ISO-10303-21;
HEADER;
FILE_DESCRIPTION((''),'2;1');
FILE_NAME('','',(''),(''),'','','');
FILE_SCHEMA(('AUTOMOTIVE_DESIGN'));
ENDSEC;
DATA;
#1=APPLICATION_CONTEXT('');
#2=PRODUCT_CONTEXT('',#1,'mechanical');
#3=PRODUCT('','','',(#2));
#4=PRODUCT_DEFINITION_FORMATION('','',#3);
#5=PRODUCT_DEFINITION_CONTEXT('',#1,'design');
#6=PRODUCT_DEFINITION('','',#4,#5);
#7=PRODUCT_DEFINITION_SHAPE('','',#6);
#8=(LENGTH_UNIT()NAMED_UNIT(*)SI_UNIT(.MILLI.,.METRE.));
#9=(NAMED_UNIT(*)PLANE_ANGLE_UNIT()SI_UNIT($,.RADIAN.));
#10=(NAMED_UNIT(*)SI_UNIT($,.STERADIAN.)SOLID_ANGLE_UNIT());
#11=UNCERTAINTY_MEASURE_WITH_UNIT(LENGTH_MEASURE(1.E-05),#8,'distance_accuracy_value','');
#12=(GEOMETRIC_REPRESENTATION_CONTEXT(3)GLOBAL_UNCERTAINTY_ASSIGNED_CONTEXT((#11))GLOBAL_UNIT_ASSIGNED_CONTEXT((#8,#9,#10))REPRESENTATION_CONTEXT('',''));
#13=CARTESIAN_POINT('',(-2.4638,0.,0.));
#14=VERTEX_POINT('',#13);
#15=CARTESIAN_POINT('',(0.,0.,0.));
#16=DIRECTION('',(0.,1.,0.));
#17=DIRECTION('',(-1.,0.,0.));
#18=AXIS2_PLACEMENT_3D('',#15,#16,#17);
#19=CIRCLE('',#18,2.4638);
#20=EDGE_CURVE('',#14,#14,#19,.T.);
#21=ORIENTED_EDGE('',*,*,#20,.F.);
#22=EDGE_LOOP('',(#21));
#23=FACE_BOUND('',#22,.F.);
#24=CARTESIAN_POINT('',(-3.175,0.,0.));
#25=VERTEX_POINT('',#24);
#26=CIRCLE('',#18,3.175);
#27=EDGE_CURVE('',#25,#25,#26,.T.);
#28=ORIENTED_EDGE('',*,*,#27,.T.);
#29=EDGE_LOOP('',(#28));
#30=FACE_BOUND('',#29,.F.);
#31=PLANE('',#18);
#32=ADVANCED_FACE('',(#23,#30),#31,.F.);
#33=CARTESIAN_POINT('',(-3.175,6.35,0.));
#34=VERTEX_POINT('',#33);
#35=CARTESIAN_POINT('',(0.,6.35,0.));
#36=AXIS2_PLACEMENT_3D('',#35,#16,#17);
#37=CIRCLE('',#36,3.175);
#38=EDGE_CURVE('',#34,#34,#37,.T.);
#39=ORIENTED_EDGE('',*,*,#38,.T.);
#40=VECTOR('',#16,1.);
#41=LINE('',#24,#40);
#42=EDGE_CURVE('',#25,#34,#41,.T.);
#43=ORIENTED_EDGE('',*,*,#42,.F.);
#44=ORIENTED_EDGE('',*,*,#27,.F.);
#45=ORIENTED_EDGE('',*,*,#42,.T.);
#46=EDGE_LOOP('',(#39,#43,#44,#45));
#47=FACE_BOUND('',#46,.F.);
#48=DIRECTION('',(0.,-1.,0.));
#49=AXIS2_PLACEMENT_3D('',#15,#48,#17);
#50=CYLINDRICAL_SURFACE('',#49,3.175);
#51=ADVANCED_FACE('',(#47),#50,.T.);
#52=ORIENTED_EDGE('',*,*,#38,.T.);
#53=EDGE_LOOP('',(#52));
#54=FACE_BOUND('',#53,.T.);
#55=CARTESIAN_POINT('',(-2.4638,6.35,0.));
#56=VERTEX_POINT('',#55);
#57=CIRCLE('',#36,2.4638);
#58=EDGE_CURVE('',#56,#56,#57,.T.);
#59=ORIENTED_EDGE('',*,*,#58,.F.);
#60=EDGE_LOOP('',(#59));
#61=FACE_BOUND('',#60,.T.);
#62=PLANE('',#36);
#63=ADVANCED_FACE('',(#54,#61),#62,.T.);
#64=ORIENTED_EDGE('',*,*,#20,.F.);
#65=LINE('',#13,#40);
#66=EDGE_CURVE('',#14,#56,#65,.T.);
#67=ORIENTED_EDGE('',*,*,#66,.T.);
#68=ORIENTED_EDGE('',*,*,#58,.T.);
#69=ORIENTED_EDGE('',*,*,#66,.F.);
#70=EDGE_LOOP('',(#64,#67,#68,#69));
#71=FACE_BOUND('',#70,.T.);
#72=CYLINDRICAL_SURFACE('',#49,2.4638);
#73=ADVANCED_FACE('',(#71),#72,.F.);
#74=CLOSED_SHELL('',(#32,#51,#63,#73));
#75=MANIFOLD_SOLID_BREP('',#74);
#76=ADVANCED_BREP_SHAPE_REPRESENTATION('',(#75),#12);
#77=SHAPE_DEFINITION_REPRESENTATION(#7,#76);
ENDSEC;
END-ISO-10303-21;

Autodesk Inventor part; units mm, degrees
ref_plane "YZ Plane" through (0, 0, 0) normal (1, 0, 0) x (0, 1, 0)
ref_plane "XZ Plane" through (0, 0, 0) normal (0, 1, 0) x (-1, 0, 0)
ref_plane "XY Plane" through (0, 0, 0) normal (0, 0, 1) x (1, 0, 0)
sketch "Sketch1" plane through (0, 0, 0) normal (0, 1, 0) x (-1, 0, 0)
  circle A0 centre (0, 0) radius 2.4638
  circle A1 centre (0, 0) radius 3.175
  dimension "d0" = 4.9276
  dimension "d1" = 6.35
extrude "Extrusion1" add sketch "Sketch1" along normal blind 6.35
properties part number ".25 in McMaster" material "Nylon 6"
